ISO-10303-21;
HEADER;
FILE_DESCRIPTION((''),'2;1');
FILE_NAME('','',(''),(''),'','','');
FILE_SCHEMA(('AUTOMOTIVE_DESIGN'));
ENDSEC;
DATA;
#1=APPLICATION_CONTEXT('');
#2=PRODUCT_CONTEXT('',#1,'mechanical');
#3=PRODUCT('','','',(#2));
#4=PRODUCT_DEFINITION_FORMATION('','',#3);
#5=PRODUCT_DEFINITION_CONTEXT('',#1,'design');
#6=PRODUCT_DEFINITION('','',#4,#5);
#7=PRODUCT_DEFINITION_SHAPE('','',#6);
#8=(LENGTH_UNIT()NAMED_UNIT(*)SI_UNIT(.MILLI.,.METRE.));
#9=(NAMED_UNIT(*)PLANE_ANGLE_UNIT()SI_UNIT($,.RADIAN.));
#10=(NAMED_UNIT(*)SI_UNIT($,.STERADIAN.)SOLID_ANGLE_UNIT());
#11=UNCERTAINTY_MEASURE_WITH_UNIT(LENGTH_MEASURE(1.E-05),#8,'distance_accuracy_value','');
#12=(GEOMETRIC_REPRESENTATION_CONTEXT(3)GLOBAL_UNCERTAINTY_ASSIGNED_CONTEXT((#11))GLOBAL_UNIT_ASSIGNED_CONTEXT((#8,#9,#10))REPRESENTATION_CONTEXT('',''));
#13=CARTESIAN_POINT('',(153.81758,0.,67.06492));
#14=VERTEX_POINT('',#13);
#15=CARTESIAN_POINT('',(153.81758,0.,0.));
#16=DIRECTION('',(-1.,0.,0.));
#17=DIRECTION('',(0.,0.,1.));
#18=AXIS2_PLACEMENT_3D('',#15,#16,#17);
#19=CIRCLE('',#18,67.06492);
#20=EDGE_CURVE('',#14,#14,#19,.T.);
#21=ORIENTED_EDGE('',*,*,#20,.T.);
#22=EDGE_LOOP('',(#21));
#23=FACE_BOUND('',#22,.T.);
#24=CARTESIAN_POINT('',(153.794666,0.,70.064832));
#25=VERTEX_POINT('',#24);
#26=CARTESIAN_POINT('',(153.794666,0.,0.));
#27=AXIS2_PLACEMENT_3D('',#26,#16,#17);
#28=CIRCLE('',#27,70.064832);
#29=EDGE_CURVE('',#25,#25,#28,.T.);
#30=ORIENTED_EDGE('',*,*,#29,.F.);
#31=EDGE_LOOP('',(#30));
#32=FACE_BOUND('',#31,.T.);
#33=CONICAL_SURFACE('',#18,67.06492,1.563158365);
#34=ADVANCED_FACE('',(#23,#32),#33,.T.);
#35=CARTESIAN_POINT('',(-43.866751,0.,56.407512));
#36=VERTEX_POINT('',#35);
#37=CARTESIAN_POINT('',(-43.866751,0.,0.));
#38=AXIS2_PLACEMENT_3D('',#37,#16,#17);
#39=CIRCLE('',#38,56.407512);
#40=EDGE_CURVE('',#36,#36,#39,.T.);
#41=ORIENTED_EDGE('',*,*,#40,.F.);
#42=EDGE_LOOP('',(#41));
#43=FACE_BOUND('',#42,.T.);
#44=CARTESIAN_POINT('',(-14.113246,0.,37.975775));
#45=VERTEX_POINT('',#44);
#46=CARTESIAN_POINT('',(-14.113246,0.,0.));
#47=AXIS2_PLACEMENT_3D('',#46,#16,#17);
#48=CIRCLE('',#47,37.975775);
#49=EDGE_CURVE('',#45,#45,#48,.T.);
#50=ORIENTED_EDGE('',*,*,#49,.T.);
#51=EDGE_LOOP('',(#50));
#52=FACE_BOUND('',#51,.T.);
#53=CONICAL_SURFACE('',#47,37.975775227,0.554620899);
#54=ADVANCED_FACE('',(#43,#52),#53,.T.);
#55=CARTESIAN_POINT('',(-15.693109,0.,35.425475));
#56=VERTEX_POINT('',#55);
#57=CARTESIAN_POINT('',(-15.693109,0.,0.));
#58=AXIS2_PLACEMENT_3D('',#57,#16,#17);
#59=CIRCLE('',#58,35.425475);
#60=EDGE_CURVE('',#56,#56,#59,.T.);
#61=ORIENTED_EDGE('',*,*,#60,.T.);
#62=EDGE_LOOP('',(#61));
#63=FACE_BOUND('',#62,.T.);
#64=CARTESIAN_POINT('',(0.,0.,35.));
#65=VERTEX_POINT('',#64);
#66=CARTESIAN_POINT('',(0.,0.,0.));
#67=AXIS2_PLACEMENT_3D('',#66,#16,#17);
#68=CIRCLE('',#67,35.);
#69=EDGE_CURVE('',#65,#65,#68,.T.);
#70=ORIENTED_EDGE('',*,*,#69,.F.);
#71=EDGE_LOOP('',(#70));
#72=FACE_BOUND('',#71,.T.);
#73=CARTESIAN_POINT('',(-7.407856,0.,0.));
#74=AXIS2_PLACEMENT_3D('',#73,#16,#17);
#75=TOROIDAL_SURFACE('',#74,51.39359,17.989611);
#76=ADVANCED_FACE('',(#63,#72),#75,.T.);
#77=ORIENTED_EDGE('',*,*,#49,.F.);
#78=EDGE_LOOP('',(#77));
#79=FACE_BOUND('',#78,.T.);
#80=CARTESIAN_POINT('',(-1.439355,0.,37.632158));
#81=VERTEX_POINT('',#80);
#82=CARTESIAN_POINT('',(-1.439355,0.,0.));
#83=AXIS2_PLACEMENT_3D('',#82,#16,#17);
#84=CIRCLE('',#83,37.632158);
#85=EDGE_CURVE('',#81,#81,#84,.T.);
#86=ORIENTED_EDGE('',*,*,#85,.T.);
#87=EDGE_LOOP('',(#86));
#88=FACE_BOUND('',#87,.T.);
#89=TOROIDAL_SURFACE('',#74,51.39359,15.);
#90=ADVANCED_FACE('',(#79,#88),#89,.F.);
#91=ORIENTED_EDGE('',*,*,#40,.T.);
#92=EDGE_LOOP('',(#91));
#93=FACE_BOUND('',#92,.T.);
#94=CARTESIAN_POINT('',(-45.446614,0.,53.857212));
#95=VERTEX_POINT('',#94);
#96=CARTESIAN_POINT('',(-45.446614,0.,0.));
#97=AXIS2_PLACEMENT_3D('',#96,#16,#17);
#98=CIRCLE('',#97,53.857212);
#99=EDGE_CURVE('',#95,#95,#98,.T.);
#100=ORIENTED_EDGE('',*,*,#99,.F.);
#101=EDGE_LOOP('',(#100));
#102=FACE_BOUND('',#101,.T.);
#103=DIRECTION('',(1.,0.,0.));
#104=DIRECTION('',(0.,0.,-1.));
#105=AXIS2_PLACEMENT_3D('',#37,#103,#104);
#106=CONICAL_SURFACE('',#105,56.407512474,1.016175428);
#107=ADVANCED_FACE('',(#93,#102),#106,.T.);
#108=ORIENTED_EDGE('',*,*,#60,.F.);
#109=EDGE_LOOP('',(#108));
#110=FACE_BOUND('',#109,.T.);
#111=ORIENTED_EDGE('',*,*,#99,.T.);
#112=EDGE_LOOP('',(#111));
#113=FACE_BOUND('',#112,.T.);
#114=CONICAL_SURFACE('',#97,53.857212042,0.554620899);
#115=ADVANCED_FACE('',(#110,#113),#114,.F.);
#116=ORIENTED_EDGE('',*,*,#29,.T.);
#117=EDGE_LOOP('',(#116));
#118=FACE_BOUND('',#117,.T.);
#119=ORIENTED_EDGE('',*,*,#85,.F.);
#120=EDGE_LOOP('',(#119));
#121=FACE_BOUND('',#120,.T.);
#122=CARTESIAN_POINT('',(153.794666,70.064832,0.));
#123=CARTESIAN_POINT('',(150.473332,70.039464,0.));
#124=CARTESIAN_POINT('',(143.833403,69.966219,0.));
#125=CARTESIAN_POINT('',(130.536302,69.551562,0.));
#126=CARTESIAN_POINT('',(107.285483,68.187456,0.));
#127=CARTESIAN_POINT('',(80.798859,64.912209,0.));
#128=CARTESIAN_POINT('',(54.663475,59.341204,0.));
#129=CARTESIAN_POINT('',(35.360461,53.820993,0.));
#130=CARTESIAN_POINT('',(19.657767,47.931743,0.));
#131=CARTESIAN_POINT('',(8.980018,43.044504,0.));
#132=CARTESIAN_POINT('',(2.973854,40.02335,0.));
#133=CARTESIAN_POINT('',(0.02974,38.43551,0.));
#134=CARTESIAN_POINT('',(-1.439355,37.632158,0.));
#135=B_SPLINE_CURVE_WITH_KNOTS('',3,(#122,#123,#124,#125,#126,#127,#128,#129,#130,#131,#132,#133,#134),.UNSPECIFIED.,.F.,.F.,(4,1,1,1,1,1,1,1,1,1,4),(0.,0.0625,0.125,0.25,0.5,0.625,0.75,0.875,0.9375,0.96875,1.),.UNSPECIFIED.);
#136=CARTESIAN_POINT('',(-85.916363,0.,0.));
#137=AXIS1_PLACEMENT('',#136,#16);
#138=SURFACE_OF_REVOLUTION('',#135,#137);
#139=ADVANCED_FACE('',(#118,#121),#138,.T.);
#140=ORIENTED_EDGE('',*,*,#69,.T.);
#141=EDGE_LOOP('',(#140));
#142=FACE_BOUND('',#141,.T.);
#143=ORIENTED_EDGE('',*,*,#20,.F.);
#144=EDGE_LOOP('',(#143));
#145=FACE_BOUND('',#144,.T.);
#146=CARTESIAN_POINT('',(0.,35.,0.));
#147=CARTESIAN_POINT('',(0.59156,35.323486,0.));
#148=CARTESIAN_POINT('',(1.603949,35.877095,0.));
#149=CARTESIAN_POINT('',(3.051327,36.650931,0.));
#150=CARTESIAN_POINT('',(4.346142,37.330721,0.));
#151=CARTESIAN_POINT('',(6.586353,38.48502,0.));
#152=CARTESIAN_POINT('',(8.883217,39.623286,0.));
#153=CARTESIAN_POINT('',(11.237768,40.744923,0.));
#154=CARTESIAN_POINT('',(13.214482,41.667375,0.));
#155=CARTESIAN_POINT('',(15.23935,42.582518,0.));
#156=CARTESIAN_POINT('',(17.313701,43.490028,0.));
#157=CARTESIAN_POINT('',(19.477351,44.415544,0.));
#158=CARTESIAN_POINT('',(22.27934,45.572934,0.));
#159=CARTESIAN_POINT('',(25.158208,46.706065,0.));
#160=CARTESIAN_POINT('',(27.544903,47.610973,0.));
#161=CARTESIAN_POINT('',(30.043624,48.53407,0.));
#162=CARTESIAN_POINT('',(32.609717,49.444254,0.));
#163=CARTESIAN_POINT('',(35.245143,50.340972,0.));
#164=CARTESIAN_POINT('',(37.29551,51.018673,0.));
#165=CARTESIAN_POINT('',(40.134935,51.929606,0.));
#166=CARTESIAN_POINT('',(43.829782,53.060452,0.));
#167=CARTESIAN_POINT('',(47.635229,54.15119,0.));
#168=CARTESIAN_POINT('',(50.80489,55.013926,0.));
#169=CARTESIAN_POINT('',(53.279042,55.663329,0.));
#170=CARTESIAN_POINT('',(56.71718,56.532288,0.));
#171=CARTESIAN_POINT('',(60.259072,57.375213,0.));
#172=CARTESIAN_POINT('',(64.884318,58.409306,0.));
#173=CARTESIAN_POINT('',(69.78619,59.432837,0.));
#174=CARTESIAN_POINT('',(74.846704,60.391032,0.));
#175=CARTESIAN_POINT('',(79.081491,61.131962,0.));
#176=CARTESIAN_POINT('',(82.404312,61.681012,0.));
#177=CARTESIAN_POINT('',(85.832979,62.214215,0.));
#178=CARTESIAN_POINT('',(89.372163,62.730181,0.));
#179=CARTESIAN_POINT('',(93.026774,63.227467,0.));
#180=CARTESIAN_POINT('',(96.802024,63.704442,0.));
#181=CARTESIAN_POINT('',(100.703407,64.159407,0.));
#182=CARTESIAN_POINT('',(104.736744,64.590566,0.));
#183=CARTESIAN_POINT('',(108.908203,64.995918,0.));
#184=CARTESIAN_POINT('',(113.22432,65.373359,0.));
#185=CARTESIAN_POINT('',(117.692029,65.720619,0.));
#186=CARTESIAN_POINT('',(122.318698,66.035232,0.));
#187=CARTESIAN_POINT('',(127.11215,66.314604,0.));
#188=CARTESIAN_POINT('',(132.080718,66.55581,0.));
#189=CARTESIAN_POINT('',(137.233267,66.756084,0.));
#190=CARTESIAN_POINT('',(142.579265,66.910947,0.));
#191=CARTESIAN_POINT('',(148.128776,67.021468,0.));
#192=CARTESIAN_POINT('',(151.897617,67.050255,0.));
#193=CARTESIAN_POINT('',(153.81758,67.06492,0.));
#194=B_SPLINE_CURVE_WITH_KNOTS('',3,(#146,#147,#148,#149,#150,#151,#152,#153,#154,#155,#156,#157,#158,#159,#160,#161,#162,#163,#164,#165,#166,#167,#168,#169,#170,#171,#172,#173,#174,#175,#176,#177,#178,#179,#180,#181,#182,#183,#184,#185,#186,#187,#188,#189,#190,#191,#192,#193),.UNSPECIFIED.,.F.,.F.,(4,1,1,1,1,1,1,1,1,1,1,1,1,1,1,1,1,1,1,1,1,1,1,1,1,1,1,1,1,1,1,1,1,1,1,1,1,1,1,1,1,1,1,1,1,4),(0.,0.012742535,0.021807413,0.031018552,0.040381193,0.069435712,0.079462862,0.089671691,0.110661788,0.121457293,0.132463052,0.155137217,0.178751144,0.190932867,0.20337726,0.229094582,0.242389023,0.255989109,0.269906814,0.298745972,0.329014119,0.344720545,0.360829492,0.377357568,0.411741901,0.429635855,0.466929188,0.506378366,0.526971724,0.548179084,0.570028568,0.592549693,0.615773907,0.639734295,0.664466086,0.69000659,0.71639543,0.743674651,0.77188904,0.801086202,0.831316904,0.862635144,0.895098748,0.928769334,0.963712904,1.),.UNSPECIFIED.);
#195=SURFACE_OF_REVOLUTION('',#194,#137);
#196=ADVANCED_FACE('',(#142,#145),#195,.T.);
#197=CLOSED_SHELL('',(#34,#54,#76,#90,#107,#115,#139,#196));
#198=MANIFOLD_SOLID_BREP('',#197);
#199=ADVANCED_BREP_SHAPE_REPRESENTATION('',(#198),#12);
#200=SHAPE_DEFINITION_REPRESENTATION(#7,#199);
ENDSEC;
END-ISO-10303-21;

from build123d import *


with BuildPart() as part:
    # Sketch1 → Revolve1 (revolve)
    with BuildSketch(Plane.XY, mode=Mode.PRIVATE) as revolve1_sk:
        with BuildLine():
            Line((-14.113245912, 37.975775227), (-43.86675095, 56.407512474))
            Line((-43.86675095, 56.407512474), (-45.446614143, 53.857212042))
            Line((-45.446614143, 53.857212042), (-15.693109105, 35.425474795))
            ThreePointArc((-15.693109105, 35.425474795), (-7.895414834, 33.410586627), (0, 35))
            add(Edge.make_bspline(
                [(0, 35), (0.59156018, 35.323485617), (1.603948821, 35.877094827), (3.051327403, 36.650931101), (4.346141775, 37.330720953), (6.586352571, 38.485020212), (8.883217116, 39.623285644), (11.237767823, 40.744923374), (13.214481543, 41.667374939), (15.239349707, 42.582517805), (17.313701417, 43.490027515), (19.477351373, 44.415543862), (22.279340199, 45.572934389), (25.15820829, 46.706065259), (27.544902903, 47.610972798), (30.043623951, 48.534070134), (32.609716723, 49.444254055), (35.245143281, 50.340972423), (37.295510001, 51.018673151), (40.134935415, 51.929605817), (43.829781945, 53.060452335), (47.635228948, 54.151189622), (50.804890347, 55.013925574), (53.279042389, 55.663329131), (56.717180167, 56.532287614), (60.259072341, 57.375212698), (64.8843177, 58.409306157), (69.786190032, 59.432837045), (74.846703817, 60.391032215), (79.081491153, 61.131961784), (82.404312022, 61.681011946), (85.832979398, 62.214214906), (89.37216293, 62.730181094), (93.026774406, 63.22746705), (96.802023676, 63.704442146), (100.703406604, 64.159406934), (104.736743585, 64.590566244), (108.908202819, 64.995917659), (113.224319769, 65.373359277), (117.692028583, 65.720619449), (122.318697892, 66.035232011), (127.112150271, 66.31460432), (132.080718014, 66.555810346), (137.233267302, 66.756084434), (142.5792649, 66.910947337), (148.128776443, 67.021468292), (151.897616649, 67.050255108), (153.81758, 67.06492)],
                knots=[0, 0, 0, 0, 0.012742535, 0.021807413, 0.031018552, 0.040381193, 0.069435712, 0.079462862, 0.089671691, 0.110661788, 0.121457293, 0.132463052, 0.155137217, 0.178751144, 0.190932867, 0.20337726, 0.229094582, 0.242389023, 0.255989109, 0.269906814, 0.298745972, 0.329014119, 0.344720545, 0.360829492, 0.377357568, 0.411741901, 0.429635855, 0.466929188, 0.506378366, 0.526971724, 0.548179084, 0.570028568, 0.592549693, 0.615773907, 0.639734295, 0.664466086, 0.69000659, 0.71639543, 0.743674651, 0.77188904, 0.801086202, 0.831316904, 0.862635144, 0.895098748, 0.928769334, 0.963712904, 1, 1, 1, 1], degree=3))
            Line((153.81758, 67.06492), (153.794666338, 70.064832493))
            add(Edge.make_bspline(
                [(-1.439355313, 37.632158104), (0.029740224, 38.43551048), (2.97385425, 40.02334962), (8.980017901, 43.044504251), (19.657767388, 47.931743277), (35.360461061, 53.820993314), (54.663474572, 59.341203786), (80.798859164, 64.912209277), (107.285483452, 68.18745636), (130.536302376, 69.551561912), (143.833403176, 69.966219235), (150.473331624, 70.039463772), (153.794666338, 70.064832493)],
                knots=[0, 0, 0, 0, 0.03125, 0.0625, 0.125, 0.25, 0.375, 0.5, 0.75, 0.875, 0.9375, 1, 1, 1, 1], degree=3))
            ThreePointArc((-1.439355313, 37.632158104), (-7.814389654, 36.399099715), (-14.113245912, 37.975775227))
        make_face()
    revolve(revolve1_sk.sketch.rotate(Axis((-85.916362679, 0, 0), (1, 0, 0)), 90), axis=Axis((-85.916362679, 0, 0), (1, 0, 0)))


solid = part.part
